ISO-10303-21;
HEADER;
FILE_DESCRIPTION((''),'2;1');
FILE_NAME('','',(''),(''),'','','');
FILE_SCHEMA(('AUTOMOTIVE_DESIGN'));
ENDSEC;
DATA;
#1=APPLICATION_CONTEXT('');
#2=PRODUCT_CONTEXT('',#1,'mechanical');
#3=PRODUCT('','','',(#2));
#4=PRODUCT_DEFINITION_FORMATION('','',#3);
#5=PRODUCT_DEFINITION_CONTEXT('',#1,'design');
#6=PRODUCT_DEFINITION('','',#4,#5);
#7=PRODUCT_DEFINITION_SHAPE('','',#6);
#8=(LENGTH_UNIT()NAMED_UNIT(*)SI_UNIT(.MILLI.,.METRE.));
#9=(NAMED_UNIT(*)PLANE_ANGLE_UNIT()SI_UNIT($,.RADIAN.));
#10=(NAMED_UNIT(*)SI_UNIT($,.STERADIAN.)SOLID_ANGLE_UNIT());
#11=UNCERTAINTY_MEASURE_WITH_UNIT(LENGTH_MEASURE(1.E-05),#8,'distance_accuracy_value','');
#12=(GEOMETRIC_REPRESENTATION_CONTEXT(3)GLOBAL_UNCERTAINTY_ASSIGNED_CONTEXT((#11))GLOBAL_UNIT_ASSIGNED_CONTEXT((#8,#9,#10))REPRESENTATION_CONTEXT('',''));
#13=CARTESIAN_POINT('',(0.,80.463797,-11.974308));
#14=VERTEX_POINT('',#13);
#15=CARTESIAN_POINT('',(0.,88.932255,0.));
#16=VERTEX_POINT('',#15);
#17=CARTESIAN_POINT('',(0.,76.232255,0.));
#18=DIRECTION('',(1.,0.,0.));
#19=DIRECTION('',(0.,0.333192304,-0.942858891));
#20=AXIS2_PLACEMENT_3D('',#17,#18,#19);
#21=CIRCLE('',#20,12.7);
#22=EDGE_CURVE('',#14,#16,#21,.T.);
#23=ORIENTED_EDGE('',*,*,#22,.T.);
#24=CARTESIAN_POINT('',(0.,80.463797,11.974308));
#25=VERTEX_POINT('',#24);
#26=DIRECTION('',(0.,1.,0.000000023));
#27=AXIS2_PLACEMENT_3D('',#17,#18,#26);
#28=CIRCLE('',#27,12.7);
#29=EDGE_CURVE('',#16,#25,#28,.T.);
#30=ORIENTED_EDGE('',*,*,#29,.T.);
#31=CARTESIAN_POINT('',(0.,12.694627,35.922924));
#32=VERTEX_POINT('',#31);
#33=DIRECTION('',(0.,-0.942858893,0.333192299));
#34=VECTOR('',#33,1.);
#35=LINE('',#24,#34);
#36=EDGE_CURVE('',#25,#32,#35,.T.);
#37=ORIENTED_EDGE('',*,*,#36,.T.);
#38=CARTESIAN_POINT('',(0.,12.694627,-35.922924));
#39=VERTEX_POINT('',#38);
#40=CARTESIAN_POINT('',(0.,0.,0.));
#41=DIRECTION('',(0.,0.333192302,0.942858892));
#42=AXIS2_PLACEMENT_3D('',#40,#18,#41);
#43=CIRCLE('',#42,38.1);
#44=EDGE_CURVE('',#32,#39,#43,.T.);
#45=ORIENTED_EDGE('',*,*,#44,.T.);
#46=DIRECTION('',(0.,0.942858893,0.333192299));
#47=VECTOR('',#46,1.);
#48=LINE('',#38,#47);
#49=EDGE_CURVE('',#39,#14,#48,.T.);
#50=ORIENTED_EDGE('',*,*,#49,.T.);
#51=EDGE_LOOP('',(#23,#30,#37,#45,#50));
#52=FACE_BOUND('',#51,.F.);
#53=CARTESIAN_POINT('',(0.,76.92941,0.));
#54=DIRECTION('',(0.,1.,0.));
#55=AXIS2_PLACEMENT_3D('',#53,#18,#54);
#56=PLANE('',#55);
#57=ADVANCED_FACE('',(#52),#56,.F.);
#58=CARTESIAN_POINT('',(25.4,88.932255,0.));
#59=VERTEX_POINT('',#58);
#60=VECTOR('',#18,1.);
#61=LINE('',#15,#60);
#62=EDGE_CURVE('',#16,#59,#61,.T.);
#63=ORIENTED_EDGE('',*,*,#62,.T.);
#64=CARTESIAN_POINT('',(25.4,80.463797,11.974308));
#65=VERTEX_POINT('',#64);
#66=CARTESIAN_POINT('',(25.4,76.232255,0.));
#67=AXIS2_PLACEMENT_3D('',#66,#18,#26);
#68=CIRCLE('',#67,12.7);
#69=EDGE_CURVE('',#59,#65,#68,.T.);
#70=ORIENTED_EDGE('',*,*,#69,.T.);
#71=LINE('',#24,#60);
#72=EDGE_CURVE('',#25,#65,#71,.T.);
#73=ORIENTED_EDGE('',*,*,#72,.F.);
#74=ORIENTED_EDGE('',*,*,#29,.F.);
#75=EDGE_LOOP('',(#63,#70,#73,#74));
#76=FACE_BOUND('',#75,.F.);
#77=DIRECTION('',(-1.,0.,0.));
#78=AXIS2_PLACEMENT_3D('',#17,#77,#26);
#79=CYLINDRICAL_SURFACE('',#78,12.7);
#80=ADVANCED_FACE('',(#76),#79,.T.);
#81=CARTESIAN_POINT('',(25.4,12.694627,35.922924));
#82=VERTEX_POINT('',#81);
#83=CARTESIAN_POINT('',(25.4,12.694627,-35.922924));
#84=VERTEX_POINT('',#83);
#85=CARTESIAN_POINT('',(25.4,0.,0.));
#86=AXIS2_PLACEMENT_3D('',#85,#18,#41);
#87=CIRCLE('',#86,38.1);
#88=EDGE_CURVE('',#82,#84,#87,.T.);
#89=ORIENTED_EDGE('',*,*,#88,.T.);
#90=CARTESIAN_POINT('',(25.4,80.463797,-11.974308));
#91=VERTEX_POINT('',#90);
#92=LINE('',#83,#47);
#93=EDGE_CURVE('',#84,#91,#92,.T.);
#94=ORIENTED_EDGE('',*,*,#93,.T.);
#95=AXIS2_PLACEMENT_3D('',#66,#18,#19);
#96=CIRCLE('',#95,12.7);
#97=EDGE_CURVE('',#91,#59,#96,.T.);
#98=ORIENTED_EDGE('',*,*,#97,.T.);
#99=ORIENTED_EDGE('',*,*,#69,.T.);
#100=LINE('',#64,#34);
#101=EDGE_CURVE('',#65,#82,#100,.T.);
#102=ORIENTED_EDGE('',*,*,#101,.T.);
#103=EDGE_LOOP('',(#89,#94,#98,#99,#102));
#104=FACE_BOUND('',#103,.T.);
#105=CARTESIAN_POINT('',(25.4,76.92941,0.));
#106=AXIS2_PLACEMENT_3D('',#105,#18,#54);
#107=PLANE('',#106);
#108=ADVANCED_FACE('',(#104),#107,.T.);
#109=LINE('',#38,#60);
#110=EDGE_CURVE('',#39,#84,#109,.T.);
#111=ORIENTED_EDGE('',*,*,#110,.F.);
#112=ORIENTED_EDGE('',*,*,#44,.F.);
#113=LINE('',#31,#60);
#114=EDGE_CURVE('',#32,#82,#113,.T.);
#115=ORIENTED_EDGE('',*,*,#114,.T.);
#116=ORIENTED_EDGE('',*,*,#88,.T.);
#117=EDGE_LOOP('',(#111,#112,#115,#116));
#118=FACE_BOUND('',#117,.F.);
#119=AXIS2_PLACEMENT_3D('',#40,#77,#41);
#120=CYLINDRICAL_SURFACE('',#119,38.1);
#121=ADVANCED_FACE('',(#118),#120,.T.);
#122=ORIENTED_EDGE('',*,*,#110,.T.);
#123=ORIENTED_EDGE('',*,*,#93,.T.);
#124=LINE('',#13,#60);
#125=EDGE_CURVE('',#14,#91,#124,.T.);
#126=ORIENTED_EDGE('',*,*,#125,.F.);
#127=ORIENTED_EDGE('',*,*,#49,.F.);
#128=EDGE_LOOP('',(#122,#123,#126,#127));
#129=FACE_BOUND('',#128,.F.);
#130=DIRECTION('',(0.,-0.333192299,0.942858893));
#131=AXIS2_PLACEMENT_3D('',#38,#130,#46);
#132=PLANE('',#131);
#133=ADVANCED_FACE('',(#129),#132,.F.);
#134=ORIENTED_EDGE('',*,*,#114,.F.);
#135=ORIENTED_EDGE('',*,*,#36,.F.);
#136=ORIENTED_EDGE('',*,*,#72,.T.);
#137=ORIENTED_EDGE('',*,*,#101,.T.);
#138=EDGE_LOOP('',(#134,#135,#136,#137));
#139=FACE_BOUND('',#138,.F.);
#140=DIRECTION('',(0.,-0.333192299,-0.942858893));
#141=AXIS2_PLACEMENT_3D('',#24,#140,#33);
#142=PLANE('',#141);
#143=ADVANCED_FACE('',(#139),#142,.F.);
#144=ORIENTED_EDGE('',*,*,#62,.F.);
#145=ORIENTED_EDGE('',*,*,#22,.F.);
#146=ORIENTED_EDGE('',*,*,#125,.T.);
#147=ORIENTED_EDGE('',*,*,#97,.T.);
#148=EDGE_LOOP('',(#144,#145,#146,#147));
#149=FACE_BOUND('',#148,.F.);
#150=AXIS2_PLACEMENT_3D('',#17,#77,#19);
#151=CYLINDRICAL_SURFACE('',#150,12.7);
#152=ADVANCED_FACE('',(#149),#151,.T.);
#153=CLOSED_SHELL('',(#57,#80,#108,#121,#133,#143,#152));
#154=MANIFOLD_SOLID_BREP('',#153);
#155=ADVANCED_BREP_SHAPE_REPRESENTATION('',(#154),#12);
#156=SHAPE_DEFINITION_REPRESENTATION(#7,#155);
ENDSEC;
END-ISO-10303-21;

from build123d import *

# Parameters (mm, degrees)
F1_DEPTH = 25.4


with BuildPart() as f1:
    # F0 (on Right) → F1 (new body)
    with BuildSketch(Plane.YZ):
        with BuildLine():
            ThreePointArc((88.932255, 0), (86.601213, 7.333124), (80.463797, 11.974308))
            ThreePointArc((80.463797, 11.974308), (63.532255, 0), (80.463797, -11.974308))
            ThreePointArc((80.463797, -11.974308), (86.601213, -7.333124), (88.932255, 0))
        make_face()
        with BuildLine():
            ThreePointArc((12.694627, 35.922924), (31.106874, 21.999372), (38.1, 0))
            ThreePointArc((38.1, 0), (31.106874, -21.999372), (12.694627, -35.922924))
            Line((12.694627, -35.922924), (80.463797, -11.974308))
            ThreePointArc((80.463797, -11.974308), (63.532255, 0), (80.463797, 11.974308))
            Line((80.463797, 11.974308), (12.694627, 35.922924))
        make_face()
        with BuildLine():
            ThreePointArc((12.694627, -35.922924), (31.106874, -21.999372), (38.1, 0))
            ThreePointArc((38.1, 0), (31.106874, 21.999372), (12.694627, 35.922924))
            ThreePointArc((12.694627, 35.922924), (-38.1, 0), (12.694627, -35.922924))
        make_face()
    extrude(amount=F1_DEPTH)


solid = f1.part
